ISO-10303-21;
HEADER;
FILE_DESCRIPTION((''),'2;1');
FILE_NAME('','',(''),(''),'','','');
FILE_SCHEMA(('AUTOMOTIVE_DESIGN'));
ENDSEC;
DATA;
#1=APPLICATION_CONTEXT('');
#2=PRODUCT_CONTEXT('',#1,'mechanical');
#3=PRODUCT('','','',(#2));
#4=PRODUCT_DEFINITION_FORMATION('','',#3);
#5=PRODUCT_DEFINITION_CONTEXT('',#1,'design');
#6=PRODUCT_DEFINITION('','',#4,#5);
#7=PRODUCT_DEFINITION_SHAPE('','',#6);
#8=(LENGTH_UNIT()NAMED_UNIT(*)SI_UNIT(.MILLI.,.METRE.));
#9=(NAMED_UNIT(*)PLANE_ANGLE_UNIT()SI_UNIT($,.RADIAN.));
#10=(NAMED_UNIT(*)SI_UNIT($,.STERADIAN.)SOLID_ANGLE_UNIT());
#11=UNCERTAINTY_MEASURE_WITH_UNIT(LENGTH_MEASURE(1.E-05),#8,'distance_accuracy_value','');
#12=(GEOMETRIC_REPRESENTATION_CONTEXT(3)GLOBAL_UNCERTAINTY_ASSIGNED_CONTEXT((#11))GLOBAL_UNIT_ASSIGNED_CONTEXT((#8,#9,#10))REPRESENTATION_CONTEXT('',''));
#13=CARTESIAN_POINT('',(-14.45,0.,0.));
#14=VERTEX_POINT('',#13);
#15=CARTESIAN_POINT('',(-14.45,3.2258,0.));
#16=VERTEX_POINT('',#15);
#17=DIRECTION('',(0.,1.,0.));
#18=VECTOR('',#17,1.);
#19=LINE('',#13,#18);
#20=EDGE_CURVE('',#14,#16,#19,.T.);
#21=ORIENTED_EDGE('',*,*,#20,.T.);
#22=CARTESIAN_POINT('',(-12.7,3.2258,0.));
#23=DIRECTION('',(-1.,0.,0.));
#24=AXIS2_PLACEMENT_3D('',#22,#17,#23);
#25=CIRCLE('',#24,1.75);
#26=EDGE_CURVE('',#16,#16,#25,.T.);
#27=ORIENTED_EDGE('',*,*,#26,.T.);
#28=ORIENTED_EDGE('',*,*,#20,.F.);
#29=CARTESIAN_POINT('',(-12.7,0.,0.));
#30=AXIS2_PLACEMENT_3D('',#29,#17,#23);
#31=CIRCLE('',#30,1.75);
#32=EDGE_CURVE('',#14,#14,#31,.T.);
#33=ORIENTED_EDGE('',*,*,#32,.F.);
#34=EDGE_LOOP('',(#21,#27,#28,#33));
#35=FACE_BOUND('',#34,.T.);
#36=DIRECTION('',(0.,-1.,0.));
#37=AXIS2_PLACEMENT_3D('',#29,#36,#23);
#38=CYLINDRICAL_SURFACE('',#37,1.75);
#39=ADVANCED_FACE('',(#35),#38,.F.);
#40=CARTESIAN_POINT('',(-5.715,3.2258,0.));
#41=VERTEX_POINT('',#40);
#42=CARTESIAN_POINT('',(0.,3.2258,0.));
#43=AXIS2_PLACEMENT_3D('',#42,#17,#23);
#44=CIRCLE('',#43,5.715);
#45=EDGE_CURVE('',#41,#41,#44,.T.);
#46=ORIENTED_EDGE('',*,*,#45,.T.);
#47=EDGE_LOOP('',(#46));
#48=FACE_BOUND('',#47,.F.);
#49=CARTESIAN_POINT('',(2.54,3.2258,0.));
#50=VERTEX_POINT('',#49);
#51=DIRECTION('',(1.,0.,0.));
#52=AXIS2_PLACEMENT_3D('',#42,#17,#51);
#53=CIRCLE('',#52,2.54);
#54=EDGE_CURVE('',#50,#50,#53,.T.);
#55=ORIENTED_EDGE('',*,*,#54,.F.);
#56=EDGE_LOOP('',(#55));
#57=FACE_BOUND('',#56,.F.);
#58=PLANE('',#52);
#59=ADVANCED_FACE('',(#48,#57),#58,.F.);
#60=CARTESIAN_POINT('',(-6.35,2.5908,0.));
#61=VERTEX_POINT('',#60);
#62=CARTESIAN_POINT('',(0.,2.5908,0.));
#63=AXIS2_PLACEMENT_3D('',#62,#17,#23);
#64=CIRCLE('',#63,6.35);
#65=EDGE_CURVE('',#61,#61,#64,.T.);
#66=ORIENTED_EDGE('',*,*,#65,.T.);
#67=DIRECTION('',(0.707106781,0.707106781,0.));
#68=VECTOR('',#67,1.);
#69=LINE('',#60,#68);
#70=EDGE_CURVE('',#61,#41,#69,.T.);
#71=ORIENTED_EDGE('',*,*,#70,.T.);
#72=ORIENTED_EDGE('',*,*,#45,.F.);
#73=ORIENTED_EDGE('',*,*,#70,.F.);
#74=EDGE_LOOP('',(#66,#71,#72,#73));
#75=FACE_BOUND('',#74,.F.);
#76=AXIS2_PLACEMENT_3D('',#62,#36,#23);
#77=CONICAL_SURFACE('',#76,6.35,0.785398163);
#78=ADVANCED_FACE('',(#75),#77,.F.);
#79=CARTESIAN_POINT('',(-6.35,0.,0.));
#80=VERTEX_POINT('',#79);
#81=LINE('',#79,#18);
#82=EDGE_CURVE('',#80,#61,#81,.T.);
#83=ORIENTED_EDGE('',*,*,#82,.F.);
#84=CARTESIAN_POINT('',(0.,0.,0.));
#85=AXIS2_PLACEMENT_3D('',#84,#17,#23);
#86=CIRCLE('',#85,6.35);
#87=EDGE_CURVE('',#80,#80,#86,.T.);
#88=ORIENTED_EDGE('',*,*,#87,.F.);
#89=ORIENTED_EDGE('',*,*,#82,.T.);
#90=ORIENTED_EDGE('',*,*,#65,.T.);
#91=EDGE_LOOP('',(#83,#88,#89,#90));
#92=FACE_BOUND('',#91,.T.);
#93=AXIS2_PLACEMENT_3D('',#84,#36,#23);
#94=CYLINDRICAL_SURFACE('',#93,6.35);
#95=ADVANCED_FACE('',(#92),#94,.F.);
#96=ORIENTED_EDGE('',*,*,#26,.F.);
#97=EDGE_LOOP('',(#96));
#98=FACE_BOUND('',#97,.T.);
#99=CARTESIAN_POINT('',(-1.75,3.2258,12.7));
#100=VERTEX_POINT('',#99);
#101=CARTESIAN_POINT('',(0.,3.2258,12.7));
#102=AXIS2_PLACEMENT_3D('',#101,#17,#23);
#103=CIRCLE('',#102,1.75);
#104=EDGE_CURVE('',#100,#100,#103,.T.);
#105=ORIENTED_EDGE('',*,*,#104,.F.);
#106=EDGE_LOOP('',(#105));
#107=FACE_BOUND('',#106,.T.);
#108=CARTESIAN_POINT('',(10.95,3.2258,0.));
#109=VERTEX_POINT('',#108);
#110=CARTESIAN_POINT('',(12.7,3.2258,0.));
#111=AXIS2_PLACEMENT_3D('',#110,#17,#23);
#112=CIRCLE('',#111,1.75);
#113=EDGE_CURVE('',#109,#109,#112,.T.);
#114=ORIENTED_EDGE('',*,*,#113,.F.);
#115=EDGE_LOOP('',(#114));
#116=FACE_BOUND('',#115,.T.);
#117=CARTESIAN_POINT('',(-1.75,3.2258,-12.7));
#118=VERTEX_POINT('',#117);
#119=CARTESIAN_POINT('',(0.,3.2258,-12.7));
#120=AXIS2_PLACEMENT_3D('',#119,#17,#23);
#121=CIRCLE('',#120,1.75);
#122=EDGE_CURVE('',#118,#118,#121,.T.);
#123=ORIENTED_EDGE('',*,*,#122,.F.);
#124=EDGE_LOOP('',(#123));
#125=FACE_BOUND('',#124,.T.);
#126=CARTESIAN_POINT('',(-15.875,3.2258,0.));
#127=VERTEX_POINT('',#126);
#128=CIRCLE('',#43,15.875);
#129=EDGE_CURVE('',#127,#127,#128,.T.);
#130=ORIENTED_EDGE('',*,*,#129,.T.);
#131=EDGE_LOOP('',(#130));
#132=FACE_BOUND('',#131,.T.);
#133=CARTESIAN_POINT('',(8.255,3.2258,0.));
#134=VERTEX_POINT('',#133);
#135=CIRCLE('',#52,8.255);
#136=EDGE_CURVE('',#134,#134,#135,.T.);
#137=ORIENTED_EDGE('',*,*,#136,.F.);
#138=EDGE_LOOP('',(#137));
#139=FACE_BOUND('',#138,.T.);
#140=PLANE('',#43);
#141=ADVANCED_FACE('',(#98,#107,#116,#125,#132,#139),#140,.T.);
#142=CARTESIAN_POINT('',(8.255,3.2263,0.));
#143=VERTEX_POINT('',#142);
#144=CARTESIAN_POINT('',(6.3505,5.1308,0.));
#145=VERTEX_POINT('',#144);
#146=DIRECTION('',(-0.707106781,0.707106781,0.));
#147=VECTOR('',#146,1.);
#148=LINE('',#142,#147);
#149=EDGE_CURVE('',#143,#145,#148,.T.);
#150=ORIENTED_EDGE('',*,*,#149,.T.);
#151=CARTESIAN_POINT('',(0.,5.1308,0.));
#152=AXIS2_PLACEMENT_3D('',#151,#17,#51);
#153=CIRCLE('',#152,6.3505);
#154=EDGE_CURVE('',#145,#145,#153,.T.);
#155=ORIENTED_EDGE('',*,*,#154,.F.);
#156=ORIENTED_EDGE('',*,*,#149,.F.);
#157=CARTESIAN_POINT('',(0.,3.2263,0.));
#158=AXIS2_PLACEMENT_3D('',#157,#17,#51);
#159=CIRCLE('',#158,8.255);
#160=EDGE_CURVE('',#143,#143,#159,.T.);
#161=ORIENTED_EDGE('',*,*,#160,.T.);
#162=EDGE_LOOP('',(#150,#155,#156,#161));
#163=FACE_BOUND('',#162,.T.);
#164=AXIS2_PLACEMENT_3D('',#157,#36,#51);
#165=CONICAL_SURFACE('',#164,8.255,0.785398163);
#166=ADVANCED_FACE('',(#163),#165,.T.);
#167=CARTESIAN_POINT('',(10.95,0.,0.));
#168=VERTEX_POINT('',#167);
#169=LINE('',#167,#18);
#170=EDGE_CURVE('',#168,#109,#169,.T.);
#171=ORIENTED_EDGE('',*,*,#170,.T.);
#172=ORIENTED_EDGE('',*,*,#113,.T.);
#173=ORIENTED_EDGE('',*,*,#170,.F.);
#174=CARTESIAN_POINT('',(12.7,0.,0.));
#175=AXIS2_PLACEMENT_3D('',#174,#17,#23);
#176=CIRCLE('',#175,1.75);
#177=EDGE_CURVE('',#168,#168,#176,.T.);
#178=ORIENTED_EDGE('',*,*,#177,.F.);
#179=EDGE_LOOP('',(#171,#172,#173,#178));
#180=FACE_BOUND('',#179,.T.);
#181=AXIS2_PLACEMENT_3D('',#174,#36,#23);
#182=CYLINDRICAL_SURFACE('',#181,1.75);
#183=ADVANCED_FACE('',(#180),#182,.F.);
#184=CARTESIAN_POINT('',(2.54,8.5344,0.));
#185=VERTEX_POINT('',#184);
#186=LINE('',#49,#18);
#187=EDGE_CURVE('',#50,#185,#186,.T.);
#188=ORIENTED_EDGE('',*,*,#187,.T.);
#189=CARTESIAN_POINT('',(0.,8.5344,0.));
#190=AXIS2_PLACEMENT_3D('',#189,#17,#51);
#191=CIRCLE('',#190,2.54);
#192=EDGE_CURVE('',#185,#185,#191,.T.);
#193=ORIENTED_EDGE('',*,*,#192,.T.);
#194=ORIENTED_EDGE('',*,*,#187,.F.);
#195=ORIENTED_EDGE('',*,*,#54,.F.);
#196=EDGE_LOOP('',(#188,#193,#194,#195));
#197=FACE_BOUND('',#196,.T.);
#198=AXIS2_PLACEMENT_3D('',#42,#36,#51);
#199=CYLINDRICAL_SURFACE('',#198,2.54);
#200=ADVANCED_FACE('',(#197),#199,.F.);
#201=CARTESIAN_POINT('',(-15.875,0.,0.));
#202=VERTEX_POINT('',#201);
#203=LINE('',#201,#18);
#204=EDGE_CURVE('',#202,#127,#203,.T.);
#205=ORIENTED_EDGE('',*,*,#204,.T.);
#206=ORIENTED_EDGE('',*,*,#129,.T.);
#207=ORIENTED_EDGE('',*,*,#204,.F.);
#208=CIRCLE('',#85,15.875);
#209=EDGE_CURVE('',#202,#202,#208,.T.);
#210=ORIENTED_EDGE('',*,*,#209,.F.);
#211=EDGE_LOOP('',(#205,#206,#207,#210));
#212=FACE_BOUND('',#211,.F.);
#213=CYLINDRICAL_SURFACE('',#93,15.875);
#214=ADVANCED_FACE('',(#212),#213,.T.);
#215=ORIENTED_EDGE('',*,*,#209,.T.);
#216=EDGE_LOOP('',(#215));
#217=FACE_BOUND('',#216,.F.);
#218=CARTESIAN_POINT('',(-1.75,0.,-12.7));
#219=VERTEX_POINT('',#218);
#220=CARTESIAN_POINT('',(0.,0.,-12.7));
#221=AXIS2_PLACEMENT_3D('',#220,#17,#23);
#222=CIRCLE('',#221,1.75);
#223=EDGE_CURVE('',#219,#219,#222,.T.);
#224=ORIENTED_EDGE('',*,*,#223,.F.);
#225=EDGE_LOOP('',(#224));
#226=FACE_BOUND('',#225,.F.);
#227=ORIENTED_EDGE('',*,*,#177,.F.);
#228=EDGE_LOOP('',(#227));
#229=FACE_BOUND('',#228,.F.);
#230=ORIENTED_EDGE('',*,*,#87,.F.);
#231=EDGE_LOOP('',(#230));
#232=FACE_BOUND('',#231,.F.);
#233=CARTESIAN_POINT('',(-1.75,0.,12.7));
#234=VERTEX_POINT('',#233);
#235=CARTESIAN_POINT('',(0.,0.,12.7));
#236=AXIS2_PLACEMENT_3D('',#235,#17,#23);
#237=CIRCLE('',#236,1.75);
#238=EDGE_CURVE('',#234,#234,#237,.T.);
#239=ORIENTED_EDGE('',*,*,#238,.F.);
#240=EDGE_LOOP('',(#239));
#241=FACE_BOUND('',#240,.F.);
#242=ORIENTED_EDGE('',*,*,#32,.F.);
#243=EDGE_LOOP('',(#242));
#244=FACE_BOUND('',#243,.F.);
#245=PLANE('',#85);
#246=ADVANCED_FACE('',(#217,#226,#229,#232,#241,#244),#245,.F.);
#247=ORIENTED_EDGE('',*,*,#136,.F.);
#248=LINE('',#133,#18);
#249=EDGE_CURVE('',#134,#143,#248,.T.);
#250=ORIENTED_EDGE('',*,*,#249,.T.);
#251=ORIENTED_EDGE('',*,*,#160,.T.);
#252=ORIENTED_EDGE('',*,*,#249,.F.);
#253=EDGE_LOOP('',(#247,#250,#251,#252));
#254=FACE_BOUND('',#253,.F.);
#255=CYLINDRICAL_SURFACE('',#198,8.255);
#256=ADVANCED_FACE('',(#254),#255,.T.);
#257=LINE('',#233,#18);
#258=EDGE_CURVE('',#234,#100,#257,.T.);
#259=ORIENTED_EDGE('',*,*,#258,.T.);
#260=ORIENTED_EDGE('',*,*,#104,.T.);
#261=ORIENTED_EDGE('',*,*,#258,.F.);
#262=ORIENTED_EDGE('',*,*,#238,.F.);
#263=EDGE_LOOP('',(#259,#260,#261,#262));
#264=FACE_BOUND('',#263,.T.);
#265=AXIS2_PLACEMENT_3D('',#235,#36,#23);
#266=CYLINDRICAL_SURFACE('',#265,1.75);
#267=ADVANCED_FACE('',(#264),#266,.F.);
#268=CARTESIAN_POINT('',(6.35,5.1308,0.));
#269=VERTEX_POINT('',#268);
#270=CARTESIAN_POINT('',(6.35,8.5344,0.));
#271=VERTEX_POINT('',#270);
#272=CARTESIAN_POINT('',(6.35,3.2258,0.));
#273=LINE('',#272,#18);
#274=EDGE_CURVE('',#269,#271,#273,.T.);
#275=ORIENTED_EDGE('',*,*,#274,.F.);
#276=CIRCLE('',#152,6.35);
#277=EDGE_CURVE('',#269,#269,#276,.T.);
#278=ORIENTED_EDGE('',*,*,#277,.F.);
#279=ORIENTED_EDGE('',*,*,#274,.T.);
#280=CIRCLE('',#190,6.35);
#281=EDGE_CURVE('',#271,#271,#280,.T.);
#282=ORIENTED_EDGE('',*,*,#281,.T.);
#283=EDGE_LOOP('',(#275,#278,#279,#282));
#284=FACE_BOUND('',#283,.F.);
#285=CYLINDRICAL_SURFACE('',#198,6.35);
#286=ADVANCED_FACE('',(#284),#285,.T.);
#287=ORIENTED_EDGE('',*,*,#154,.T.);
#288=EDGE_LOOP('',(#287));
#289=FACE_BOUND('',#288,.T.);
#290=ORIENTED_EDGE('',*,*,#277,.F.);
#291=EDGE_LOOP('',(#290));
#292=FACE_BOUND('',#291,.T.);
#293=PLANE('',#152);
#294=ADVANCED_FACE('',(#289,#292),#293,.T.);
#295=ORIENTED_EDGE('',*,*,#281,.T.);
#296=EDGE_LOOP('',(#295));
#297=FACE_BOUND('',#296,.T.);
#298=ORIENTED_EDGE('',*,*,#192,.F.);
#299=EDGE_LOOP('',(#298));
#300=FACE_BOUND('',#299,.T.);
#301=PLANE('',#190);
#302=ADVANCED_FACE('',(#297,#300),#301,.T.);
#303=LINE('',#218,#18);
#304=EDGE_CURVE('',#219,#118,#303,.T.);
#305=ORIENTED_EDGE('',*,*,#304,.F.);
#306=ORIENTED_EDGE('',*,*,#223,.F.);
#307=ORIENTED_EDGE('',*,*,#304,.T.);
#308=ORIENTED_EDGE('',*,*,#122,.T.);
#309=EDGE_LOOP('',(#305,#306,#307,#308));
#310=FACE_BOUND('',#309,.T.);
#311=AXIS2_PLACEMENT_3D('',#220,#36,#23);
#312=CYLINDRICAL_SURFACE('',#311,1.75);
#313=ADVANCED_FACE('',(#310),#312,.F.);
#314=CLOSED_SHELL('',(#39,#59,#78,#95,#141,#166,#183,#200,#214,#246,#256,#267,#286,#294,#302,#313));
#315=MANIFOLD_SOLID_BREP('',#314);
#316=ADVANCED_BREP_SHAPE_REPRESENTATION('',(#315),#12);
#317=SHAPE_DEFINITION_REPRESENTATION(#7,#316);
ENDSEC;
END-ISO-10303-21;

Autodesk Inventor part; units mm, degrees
ref_plane "YZ Plane" through (0, 0, 0) normal (1, 0, 0) x (0, 1, 0)
ref_plane "XZ Plane" through (0, 0, 0) normal (0, 1, 0) x (-1, 0, 0)
sketch "Sketch1" plane through (0, 0, 0) normal (0, 1, 0) x (-1, 0, 0)
  circle A0 centre (0, 0) radius 15.875
  circle A1 centre (0, 0) radius 6.35
  circle A2 centre (0, 12.7) radius 1.75
  circle A3 centre (-12.7, 0) radius 1.75
  circle A4 centre (0, -12.7) radius 1.75
  circle A5 centre (12.7, 0) radius 1.75
  dimension "d1" = 12.7
  dimension "d6" = 3.5
  dimension "d7" = 3.5
  dimension "d8" = 3.5
  dimension "d9" = 3.5
extrude "Extrusion1" add sketch "Sketch1" along normal blind 3.2258
sketch "Sketch2" plane through (0, 3.2258, 0) normal (0, 1, 0) x (1, 0, 0)
  circle A0 centre (0, 0) radius 6.35
  circle A1 centre (0, 0) radius 2.54
  dimension "d12" = 5.08
extrude "Extrusion2" add sketch "Sketch2" along normal blind 5.3086
sketch "Sketch3" plane through (0, 8.5344, 0) normal (0, 1, 0) x (1, 0, 0)
  line L0 (0, 0) -> (6.35, 0)
  circle A0 centre (0, 0) radius 6.35 projected
  line L1 (0, 0) -> (-6.35, 0)
ref_plane "Work Plane3" through (0, 8.5344, 0) normal (1, 0, 0) x (0, 1, 0)
sketch "Sketch5" plane through (0, 3.2258, 0) normal (0, 1, 0) x (1, 0, 0)
  circle A0 centre (0, 0) radius 6.35
  circle A1 centre (0, 0) radius 8.255
  dimension "d17" = 16.51
extrude "Extrusion3" add sketch "Sketch5" along normal blind 1.905
chamfer "Chamfer1" distance 1.905 angle 45 1 edges at (-8.255, 5.1308, 0)
chamfer "Chamfer2" distance 0.635 angle 45 1 edges at (6.35, 3.2258, 0)
properties part number "FlywheelMount"
